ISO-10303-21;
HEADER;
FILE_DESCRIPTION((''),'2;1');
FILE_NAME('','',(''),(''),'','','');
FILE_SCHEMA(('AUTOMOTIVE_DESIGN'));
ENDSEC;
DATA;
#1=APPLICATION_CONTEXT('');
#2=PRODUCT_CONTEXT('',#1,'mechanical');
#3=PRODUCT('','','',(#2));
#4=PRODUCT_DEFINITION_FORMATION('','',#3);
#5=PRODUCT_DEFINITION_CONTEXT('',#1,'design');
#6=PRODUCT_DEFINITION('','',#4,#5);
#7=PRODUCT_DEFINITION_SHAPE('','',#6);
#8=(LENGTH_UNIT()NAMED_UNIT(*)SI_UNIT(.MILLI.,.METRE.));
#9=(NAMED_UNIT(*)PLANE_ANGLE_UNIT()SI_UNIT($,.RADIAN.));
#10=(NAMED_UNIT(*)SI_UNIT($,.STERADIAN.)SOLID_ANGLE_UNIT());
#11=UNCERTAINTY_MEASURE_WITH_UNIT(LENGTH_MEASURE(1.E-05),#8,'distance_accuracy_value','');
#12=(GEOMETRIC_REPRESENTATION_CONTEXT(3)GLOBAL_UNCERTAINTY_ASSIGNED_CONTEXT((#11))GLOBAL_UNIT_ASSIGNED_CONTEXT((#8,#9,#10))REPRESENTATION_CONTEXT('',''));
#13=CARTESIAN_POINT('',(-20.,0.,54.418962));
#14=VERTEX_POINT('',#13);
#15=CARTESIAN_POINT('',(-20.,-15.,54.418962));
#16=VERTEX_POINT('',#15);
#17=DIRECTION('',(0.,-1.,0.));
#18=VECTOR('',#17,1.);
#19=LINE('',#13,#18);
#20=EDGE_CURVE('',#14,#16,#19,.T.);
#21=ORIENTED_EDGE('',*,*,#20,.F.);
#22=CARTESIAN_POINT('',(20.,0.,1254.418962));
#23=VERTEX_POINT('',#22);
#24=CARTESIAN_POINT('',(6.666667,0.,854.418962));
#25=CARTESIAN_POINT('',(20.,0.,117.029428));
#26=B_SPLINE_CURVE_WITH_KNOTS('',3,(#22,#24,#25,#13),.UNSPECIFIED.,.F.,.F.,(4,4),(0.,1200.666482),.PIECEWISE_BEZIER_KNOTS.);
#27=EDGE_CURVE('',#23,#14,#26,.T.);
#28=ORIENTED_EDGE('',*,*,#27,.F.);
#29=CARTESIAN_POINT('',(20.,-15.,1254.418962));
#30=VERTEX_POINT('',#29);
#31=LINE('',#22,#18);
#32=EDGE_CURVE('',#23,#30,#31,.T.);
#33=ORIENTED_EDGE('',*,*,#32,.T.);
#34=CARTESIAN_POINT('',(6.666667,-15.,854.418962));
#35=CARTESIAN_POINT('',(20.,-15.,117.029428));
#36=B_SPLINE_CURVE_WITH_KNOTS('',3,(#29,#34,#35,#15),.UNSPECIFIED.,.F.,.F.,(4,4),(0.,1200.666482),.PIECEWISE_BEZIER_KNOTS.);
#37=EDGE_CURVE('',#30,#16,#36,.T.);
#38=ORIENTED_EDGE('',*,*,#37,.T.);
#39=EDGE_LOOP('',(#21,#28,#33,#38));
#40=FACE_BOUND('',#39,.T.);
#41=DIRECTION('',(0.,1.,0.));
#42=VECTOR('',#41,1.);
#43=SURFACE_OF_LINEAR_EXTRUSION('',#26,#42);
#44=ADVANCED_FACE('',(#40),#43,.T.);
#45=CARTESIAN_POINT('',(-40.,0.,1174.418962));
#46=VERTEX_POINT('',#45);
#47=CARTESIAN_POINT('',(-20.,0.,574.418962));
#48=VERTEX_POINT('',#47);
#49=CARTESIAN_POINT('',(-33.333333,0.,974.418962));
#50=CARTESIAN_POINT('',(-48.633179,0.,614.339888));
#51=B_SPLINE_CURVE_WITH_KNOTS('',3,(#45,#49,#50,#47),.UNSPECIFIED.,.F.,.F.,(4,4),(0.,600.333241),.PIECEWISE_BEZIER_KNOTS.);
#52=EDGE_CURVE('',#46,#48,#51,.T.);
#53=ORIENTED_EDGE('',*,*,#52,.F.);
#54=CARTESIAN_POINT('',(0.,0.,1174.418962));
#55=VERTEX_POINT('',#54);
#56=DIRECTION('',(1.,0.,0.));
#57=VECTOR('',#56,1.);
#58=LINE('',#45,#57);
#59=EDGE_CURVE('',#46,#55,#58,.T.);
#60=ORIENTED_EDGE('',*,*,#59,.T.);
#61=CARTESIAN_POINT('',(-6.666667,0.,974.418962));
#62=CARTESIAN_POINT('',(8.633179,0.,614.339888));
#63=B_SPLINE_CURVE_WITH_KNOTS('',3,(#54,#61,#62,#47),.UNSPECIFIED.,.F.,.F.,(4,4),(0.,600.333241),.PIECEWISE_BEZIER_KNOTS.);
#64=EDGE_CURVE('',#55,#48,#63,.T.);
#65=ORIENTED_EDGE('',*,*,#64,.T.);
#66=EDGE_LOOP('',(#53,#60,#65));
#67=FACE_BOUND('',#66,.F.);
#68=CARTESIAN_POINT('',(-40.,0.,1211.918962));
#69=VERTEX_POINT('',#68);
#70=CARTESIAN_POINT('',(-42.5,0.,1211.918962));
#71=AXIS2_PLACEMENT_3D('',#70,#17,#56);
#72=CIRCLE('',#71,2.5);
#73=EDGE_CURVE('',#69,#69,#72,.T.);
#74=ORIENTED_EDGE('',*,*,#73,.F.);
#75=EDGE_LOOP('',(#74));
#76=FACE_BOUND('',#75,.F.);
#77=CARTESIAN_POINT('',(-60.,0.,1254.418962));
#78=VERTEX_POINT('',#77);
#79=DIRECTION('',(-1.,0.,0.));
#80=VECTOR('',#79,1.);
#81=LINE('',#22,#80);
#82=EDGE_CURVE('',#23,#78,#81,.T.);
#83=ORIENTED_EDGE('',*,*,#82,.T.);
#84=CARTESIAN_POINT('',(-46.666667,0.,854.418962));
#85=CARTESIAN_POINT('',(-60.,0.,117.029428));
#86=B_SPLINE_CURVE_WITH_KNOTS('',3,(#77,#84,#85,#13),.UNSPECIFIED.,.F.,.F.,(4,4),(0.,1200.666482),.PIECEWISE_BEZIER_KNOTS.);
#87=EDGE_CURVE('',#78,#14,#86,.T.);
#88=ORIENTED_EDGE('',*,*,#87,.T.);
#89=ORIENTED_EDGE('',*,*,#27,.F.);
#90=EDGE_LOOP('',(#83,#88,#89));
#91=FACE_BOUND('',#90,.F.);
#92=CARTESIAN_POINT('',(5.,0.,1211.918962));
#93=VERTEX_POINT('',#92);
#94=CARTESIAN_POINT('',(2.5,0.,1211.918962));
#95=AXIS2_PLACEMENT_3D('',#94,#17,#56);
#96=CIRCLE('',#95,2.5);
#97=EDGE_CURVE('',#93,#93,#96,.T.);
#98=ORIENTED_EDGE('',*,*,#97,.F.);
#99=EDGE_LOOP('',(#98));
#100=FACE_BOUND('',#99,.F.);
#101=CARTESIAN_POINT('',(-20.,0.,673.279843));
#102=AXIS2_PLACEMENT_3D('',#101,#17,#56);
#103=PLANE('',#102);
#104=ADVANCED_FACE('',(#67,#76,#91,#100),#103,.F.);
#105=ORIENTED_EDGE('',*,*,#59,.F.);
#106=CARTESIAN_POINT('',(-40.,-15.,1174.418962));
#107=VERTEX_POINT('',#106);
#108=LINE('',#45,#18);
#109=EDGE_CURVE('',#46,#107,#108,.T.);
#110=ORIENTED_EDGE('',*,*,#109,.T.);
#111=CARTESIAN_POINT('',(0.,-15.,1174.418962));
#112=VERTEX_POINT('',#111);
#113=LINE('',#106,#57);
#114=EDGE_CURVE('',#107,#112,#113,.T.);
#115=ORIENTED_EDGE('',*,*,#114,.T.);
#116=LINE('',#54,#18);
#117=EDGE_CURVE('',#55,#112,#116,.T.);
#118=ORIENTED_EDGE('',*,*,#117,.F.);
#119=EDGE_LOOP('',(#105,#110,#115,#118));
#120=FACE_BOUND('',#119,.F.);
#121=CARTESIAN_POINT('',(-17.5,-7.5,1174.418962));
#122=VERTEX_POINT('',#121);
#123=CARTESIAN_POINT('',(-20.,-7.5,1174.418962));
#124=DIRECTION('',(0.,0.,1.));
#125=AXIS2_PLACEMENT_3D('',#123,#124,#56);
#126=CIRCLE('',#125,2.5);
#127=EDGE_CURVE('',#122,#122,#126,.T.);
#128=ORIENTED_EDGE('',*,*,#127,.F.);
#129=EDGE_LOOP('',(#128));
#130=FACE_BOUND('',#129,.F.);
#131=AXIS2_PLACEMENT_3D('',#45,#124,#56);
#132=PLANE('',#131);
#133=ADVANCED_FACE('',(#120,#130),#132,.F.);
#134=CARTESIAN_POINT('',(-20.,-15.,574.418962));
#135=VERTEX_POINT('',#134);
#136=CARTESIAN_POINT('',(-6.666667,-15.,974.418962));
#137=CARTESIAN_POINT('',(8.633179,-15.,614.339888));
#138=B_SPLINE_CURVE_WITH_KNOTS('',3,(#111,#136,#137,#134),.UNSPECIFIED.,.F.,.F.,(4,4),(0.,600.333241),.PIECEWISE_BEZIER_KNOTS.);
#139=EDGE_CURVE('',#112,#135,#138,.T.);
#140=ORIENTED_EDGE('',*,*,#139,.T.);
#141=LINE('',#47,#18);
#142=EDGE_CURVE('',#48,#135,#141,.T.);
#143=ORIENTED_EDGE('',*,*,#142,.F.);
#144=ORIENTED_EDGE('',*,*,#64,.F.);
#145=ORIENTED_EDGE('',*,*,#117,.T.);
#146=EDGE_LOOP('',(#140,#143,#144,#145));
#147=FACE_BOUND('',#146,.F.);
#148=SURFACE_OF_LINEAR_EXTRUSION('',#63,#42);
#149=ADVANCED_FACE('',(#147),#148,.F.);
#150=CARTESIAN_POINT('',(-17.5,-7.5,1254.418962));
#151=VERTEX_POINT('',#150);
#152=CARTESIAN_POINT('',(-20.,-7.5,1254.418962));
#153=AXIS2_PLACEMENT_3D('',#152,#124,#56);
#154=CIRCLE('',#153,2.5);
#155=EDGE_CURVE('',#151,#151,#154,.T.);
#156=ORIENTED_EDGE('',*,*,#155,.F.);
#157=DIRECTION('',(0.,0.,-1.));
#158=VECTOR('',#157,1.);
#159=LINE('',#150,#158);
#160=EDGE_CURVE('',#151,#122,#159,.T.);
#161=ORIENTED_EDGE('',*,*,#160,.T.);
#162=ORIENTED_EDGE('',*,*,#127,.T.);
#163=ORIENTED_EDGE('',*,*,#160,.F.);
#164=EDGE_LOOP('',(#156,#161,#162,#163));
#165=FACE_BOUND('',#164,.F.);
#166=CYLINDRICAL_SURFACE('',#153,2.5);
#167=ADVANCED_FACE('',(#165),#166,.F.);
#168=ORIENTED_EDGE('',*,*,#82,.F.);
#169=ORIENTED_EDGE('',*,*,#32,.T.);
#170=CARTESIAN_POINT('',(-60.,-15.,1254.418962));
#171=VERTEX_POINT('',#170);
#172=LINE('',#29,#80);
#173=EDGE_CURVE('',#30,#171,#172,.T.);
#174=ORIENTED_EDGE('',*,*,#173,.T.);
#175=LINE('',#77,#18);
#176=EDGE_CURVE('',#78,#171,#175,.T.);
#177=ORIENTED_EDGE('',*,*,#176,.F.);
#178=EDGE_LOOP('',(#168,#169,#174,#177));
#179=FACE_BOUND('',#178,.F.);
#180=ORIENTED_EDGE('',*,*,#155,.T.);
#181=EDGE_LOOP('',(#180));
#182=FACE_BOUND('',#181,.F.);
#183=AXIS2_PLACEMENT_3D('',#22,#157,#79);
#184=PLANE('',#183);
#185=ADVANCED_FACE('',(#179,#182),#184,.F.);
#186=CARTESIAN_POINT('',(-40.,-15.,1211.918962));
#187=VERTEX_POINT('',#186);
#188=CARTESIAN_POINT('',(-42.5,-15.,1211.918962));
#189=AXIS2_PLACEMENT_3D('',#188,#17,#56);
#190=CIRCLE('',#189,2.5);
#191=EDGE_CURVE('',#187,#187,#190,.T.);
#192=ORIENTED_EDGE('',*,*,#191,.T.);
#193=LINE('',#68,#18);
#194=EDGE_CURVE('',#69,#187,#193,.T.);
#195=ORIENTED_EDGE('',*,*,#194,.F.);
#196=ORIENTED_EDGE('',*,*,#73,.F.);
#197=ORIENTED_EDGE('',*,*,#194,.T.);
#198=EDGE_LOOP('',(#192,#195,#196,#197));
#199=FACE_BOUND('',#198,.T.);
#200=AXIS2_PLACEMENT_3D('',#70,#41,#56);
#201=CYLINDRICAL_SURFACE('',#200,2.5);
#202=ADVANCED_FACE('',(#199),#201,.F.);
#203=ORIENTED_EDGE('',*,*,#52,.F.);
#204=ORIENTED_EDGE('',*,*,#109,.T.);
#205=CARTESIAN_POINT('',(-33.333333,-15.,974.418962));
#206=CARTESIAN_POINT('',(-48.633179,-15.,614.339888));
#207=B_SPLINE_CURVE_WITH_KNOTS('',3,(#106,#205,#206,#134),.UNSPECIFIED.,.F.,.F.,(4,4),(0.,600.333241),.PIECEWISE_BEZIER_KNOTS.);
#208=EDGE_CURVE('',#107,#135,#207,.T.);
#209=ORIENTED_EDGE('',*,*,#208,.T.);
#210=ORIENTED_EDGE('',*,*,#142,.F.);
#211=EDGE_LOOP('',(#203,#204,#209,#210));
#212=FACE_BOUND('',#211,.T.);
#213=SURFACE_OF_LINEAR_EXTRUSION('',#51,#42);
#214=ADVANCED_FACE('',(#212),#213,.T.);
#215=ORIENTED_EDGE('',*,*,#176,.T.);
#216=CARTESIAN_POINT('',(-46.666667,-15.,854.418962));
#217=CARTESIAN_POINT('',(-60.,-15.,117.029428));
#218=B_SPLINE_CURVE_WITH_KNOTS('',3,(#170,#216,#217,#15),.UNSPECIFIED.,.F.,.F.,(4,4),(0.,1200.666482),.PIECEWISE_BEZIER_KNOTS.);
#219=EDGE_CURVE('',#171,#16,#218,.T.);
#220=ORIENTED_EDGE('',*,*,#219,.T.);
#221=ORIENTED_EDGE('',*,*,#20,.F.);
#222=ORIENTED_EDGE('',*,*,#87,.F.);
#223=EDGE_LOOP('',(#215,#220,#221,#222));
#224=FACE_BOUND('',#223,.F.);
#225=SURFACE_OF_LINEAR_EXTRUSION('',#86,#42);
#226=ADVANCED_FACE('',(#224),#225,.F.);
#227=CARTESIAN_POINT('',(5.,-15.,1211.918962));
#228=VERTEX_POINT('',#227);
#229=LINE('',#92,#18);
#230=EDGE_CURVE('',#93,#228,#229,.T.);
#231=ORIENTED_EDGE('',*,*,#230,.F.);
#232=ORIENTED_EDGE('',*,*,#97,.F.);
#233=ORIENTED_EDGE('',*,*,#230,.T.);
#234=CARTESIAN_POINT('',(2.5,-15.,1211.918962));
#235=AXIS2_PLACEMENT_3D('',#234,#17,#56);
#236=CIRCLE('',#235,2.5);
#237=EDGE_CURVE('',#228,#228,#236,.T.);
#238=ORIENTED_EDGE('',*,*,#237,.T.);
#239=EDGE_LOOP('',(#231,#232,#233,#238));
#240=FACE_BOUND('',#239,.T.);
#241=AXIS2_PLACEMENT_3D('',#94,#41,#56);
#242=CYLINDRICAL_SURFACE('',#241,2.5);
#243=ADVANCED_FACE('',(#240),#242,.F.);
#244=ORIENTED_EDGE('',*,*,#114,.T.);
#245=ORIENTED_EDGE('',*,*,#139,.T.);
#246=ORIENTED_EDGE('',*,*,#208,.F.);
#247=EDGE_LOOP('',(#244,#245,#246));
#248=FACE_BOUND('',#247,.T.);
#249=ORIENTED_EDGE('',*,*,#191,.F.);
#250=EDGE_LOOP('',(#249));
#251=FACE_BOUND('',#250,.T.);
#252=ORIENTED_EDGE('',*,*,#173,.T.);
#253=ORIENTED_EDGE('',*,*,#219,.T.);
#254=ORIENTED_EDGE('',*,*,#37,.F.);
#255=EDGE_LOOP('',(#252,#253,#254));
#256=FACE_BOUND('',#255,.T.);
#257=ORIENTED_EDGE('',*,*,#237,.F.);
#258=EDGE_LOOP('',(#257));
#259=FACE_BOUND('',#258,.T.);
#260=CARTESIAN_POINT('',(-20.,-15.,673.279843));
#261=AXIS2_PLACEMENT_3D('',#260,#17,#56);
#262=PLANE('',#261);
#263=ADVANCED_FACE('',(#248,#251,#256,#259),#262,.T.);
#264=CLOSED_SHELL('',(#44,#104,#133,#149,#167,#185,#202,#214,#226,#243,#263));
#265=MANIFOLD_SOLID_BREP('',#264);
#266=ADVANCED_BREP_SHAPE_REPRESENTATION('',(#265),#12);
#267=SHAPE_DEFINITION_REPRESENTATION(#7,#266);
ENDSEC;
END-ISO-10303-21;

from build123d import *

# Parameters (mm, degrees)
F0_R     = 2.5
F1_DEPTH = 15
F2_R     = 2.5
F3_DEPTH = 80


with BuildPart() as f1:
    # F0 (on Front) → F1 (new body)
    with BuildSketch(Plane.XZ):
        with BuildLine():
            Line((20, 1254.418962), (-60, 1254.418962))
            add(Edge.make_bspline(
                [(-60, 1254.418962), (-46.666667, 854.418962), (-60, 117.029428), (-20, 54.418962)],
                knots=[0, 0, 0, 0, 1200.666482, 1200.666482, 1200.666482, 1200.666482], degree=3))
            add(Edge.make_bspline(
                [(20, 1254.418962), (6.666667, 854.418962), (20, 117.029428), (-20, 54.418962)],
                knots=[0, 0, 0, 0, 1200.666482, 1200.666482, 1200.666482, 1200.666482], degree=3))
        make_face()
        with Locations((-42.5, 1211.918962)):
            Circle(F0_R, mode=Mode.SUBTRACT)
        with BuildLine():
            add(Edge.make_bspline(
                [(-40, 1174.418962), (-33.333333, 974.418962), (-48.633179, 614.339888), (-20, 574.418962)],
                knots=[0, 0, 0, 0, 600.333241, 600.333241, 600.333241, 600.333241], degree=3))
            Line((-40, 1174.418962), (0, 1174.418962))
            add(Edge.make_bspline(
                [(0, 1174.418962), (-6.666667, 974.418962), (8.633179, 614.339888), (-20, 574.418962)],
                knots=[0, 0, 0, 0, 600.333241, 600.333241, 600.333241, 600.333241], degree=3))
        make_face(mode=Mode.SUBTRACT)
        with Locations((2.5, 1211.918962)):
            Circle(F0_R, mode=Mode.SUBTRACT)
    extrude(amount=F1_DEPTH)

    # F2 (on face) → F3 (cut)
    with BuildSketch(Plane.XY.offset(1254.418962)):
        with Locations((-20, -7.5)):
            Circle(F2_R)
    extrude(amount=-F3_DEPTH, mode=Mode.SUBTRACT)


solid = f1.part
